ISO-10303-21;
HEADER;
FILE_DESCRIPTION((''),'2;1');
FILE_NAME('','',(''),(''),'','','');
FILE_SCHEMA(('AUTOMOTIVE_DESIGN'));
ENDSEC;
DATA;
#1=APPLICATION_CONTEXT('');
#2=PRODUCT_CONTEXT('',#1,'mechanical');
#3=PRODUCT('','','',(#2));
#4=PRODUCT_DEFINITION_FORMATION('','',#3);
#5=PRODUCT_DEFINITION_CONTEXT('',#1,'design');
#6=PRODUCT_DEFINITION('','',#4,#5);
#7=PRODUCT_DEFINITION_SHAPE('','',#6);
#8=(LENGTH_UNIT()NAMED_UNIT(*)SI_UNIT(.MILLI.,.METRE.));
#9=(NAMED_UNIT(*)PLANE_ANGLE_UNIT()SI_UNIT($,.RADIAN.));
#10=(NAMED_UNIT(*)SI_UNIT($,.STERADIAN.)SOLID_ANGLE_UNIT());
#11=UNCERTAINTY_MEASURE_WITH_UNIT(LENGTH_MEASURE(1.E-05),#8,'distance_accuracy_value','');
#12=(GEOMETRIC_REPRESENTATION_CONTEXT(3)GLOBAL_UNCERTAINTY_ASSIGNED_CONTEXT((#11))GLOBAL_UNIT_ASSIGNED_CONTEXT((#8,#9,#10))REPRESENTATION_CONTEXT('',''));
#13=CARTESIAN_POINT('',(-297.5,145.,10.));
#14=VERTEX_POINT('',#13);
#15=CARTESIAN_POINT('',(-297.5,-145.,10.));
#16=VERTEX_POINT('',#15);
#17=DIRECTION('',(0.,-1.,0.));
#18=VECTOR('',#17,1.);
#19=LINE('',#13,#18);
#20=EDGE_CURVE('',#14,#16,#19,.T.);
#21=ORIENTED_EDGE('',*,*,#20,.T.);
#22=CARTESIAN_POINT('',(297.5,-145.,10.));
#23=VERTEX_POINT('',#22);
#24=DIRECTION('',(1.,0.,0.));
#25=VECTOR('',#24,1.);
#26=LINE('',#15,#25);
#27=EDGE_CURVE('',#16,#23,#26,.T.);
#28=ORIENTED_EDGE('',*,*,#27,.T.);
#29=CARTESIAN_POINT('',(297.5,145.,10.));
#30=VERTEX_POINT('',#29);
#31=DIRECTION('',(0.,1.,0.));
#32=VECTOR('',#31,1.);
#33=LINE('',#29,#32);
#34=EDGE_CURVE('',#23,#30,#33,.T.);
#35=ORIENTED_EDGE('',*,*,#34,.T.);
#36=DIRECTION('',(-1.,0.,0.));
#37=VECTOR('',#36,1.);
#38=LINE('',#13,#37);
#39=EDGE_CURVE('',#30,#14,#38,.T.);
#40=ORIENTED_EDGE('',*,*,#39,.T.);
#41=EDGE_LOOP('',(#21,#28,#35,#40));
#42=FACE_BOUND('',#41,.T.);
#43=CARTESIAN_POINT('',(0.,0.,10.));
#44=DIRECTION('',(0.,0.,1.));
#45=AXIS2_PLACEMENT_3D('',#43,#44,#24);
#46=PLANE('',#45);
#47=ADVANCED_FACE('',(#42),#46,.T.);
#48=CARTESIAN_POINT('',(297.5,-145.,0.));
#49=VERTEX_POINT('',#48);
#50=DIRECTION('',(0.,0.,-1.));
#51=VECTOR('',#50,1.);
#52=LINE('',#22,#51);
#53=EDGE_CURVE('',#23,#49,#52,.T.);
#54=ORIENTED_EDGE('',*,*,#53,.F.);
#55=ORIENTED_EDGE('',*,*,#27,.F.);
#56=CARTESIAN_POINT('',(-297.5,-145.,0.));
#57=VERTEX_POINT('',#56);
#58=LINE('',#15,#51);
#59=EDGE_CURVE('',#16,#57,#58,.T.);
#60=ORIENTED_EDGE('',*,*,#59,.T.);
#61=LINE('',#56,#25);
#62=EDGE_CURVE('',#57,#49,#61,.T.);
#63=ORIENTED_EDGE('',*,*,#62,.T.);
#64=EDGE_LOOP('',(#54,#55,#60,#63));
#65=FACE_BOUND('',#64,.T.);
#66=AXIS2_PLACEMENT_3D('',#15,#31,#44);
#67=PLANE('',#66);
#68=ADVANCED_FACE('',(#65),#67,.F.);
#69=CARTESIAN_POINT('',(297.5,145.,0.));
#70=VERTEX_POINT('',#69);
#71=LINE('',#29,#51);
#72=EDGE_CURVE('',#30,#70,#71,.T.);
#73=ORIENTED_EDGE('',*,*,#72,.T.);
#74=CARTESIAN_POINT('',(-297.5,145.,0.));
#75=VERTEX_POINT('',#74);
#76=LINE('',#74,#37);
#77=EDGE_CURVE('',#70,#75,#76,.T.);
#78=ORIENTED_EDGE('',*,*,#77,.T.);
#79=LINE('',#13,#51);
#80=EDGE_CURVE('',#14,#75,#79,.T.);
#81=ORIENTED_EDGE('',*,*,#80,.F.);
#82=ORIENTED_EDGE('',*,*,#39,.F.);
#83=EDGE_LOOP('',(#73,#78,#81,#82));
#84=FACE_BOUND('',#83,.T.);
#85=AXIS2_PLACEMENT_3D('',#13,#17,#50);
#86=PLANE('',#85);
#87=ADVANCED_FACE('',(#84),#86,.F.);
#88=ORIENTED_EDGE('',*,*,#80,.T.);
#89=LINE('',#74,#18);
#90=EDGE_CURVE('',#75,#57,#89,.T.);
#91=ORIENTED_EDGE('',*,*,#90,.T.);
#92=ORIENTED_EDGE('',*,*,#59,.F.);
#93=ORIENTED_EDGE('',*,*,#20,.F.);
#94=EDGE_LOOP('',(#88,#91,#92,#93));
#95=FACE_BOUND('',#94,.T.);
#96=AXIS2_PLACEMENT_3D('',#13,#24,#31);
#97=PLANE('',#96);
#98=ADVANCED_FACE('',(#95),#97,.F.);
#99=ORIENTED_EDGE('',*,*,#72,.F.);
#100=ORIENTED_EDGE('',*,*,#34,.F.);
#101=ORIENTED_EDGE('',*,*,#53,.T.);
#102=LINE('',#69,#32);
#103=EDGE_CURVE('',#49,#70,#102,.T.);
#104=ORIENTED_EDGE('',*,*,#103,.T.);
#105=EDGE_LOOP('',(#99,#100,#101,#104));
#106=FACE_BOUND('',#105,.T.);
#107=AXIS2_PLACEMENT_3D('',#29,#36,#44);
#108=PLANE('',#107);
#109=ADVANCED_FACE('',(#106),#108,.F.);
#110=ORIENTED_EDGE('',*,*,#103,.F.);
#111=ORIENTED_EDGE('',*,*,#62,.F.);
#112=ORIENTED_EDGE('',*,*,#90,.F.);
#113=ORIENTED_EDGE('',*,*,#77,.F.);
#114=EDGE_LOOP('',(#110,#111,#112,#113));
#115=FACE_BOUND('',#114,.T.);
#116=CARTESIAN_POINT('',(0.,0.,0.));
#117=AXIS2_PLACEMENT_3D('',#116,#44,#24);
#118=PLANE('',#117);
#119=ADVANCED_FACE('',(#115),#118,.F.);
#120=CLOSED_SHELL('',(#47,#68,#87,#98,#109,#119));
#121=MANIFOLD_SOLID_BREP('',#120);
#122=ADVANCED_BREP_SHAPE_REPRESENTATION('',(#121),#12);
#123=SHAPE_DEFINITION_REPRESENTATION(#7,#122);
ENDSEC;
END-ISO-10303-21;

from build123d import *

# Parameters (mm, degrees)
SKETCH_1_W      = 595
SKETCH_1_H      = 290
EXTRUDE_1_DEPTH = 10


with BuildPart() as part:
    # Эскиз1 → Бобышка-Вытянуть1 (new body)
    with BuildSketch(Plane.XY):
        Rectangle(SKETCH_1_W, SKETCH_1_H)
    extrude(amount=EXTRUDE_1_DEPTH)


solid = part.part
